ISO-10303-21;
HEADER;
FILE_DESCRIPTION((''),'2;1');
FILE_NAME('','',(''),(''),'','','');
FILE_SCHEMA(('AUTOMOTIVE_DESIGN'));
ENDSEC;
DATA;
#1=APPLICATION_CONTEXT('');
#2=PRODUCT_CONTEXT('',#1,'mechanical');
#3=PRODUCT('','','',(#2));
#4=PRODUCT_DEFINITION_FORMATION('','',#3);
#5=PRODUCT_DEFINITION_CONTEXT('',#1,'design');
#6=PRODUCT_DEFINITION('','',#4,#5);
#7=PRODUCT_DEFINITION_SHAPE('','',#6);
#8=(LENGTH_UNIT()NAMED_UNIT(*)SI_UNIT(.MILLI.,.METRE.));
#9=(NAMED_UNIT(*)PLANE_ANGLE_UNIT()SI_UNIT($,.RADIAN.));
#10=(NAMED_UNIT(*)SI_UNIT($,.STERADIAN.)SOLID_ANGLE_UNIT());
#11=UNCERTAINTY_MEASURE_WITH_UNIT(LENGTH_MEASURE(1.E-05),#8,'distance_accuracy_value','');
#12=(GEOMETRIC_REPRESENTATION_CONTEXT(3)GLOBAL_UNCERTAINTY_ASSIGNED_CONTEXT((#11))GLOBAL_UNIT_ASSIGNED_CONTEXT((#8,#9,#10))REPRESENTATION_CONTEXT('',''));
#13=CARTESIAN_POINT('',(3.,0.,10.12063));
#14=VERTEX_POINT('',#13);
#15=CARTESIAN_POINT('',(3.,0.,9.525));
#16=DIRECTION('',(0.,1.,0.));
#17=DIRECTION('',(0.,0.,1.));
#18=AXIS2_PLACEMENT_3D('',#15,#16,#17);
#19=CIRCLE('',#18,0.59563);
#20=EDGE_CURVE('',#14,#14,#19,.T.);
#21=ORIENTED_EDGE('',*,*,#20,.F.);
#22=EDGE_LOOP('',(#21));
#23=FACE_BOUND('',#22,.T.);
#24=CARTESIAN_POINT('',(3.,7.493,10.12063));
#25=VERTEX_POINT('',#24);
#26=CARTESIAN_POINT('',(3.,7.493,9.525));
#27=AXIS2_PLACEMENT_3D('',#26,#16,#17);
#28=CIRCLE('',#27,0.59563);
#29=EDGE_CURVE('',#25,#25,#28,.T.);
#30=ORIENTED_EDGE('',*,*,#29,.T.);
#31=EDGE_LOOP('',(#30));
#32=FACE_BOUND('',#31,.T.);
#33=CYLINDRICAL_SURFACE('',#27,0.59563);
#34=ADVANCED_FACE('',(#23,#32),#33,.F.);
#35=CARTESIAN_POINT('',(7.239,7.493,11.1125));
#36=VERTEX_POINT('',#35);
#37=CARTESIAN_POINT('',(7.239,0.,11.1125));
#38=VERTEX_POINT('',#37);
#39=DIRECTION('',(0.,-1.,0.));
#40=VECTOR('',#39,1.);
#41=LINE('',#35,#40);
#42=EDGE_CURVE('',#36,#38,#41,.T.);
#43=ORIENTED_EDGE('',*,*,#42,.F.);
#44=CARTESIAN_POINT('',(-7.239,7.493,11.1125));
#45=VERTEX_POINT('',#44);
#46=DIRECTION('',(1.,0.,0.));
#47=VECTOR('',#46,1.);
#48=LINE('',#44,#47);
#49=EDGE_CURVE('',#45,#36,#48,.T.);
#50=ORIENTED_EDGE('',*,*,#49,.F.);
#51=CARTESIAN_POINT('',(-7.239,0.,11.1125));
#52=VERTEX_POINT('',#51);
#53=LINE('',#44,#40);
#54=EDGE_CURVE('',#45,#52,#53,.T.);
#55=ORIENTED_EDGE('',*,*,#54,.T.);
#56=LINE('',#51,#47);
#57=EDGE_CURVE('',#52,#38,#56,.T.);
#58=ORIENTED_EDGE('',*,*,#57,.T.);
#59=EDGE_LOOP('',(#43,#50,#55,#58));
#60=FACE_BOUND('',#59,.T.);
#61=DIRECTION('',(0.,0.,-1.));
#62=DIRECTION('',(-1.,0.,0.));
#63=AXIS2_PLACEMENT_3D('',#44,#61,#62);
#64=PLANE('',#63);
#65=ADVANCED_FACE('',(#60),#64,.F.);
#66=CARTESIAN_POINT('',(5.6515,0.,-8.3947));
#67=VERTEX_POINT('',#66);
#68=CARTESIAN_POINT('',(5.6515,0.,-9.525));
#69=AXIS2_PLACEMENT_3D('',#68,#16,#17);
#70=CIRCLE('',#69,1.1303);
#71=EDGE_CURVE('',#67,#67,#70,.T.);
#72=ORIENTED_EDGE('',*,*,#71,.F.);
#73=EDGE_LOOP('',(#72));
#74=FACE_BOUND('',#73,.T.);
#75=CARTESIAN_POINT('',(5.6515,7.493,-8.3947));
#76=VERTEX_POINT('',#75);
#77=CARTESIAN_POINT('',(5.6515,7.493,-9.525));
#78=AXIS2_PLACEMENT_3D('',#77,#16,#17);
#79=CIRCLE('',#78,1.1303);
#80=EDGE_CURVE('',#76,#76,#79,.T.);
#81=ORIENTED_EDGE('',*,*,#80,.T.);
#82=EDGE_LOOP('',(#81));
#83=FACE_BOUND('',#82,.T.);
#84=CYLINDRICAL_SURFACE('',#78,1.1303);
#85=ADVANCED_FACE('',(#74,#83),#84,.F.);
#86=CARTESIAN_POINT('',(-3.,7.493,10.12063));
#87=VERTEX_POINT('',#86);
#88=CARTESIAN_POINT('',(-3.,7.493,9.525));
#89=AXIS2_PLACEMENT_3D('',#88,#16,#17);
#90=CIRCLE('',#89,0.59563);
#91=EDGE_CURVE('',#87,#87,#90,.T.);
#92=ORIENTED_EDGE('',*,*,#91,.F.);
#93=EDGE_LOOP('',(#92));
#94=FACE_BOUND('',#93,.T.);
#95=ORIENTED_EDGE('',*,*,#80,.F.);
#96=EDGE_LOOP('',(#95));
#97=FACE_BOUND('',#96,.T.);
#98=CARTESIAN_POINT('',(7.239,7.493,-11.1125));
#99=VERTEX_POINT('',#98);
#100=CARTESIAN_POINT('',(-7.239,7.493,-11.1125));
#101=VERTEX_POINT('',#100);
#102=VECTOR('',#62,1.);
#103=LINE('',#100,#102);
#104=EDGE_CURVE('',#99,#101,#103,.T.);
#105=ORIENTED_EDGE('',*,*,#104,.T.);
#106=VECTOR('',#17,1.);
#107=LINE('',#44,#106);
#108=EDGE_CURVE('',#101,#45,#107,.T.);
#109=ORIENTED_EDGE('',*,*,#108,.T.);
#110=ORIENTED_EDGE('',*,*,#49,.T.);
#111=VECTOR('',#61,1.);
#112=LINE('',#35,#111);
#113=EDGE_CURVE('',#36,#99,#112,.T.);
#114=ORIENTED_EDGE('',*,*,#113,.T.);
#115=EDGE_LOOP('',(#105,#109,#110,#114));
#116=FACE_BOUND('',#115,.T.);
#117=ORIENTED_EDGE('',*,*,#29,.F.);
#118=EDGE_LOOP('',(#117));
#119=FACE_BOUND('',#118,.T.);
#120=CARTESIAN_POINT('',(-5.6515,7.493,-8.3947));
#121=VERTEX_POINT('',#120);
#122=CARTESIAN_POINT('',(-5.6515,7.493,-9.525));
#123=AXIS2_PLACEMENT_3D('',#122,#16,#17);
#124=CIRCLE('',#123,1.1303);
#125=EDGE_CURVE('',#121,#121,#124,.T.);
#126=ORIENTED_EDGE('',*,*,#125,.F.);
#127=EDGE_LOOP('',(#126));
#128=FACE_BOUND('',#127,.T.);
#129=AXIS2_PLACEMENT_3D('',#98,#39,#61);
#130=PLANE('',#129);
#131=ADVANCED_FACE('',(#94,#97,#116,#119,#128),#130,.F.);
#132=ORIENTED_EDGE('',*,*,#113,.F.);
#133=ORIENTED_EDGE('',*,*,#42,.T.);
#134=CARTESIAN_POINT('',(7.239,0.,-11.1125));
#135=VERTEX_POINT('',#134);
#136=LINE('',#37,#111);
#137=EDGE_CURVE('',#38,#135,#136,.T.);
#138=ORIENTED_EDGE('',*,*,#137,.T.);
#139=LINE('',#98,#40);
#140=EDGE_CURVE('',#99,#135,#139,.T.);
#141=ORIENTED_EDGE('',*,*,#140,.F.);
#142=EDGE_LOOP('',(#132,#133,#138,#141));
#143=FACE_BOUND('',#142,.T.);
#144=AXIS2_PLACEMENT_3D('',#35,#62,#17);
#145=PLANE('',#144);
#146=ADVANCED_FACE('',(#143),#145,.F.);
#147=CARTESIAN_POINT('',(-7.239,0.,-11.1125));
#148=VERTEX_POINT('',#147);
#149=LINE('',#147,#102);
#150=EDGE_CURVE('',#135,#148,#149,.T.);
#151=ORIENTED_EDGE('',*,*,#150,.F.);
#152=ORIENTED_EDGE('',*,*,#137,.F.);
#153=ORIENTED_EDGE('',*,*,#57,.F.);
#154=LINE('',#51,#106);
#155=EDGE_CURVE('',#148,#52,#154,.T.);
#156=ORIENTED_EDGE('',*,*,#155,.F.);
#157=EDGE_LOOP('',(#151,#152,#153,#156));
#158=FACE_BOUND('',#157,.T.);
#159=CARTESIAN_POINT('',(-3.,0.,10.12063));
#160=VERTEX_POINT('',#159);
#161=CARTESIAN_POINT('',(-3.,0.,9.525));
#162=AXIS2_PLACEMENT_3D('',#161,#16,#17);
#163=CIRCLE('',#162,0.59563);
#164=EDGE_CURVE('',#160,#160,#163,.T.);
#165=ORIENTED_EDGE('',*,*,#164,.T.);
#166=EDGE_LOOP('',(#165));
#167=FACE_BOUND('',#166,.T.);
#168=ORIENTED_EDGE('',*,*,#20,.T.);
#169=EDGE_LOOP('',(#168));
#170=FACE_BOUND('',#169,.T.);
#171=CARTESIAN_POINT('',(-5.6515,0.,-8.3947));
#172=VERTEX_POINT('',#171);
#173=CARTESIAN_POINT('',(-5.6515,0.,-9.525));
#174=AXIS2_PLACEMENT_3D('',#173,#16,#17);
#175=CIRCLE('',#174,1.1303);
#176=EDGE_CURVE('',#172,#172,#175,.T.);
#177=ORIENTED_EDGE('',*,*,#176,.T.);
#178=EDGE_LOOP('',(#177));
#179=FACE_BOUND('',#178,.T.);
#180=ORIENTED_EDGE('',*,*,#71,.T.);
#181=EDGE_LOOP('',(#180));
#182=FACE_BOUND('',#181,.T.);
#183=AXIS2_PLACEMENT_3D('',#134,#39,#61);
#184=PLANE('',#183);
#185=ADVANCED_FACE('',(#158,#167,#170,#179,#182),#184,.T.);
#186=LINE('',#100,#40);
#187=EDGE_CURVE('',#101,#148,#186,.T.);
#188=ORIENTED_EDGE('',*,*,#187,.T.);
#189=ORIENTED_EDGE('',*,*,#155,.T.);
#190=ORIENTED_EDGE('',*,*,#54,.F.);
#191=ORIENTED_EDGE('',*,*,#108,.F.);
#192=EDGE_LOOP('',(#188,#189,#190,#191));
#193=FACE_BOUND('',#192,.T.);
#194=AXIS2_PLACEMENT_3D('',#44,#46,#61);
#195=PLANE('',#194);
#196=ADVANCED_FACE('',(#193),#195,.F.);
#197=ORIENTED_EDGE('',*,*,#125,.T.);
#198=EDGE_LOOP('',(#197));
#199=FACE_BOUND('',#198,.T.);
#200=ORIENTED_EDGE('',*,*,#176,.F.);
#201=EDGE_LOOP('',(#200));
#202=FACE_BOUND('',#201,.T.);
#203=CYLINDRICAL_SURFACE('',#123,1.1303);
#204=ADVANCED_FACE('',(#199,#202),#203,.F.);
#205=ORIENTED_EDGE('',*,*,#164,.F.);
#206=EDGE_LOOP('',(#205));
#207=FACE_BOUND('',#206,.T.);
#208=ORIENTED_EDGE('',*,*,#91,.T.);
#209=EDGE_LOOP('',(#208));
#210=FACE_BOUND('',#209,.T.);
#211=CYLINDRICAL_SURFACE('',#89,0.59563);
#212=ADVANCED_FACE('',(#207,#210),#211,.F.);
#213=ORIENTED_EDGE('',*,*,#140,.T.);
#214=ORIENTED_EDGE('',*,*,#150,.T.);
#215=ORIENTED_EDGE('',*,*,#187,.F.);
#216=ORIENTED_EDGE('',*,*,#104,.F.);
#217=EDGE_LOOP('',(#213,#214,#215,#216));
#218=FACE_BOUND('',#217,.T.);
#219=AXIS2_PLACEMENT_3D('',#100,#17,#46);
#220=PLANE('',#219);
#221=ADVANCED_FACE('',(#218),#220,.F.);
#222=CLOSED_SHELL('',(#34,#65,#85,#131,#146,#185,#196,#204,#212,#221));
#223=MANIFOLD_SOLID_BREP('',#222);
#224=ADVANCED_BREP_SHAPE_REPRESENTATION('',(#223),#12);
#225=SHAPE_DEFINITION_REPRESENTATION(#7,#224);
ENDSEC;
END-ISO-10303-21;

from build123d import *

# Parameters (mm, degrees)
SKETCH1_W             = 14.478
SKETCH1_H             = 22.225
BOSS_EXTRUDE1_DEPTH   = 7.493
F_0_80_TAPPED_HOLE1_D = 1.19126
F_2_CLEARANCE_HOLE1_D = 2.2606


with BuildPart() as part:
    # Sketch1 → Boss-Extrude1 (new body)
    with BuildSketch(Plane(origin=(0, 0, 0), x_dir=(1, 0, 0), z_dir=(0, 1, 0))):
        Rectangle(SKETCH1_W, SKETCH1_H)
    extrude(amount=BOSS_EXTRUDE1_DEPTH)

    # #0-80 Tapped Hole1 (through all)
    with Locations(Plane(origin=(0, 7.493, 0), x_dir=(-1, 0, 0), z_dir=(0, 1, 0))):
        with Locations((3, 9.525), (-3, 9.525)):
            Hole(F_0_80_TAPPED_HOLE1_D / 2)

    # #2 Clearance Hole1 (through all)
    with Locations(Plane(origin=(0, 7.493, 0), x_dir=(-1, 0, 0), z_dir=(0, 1, 0))):
        with Locations((5.6515, -9.525), (-5.6515, -9.525)):
            Hole(F_2_CLEARANCE_HOLE1_D / 2)


solid = part.part
